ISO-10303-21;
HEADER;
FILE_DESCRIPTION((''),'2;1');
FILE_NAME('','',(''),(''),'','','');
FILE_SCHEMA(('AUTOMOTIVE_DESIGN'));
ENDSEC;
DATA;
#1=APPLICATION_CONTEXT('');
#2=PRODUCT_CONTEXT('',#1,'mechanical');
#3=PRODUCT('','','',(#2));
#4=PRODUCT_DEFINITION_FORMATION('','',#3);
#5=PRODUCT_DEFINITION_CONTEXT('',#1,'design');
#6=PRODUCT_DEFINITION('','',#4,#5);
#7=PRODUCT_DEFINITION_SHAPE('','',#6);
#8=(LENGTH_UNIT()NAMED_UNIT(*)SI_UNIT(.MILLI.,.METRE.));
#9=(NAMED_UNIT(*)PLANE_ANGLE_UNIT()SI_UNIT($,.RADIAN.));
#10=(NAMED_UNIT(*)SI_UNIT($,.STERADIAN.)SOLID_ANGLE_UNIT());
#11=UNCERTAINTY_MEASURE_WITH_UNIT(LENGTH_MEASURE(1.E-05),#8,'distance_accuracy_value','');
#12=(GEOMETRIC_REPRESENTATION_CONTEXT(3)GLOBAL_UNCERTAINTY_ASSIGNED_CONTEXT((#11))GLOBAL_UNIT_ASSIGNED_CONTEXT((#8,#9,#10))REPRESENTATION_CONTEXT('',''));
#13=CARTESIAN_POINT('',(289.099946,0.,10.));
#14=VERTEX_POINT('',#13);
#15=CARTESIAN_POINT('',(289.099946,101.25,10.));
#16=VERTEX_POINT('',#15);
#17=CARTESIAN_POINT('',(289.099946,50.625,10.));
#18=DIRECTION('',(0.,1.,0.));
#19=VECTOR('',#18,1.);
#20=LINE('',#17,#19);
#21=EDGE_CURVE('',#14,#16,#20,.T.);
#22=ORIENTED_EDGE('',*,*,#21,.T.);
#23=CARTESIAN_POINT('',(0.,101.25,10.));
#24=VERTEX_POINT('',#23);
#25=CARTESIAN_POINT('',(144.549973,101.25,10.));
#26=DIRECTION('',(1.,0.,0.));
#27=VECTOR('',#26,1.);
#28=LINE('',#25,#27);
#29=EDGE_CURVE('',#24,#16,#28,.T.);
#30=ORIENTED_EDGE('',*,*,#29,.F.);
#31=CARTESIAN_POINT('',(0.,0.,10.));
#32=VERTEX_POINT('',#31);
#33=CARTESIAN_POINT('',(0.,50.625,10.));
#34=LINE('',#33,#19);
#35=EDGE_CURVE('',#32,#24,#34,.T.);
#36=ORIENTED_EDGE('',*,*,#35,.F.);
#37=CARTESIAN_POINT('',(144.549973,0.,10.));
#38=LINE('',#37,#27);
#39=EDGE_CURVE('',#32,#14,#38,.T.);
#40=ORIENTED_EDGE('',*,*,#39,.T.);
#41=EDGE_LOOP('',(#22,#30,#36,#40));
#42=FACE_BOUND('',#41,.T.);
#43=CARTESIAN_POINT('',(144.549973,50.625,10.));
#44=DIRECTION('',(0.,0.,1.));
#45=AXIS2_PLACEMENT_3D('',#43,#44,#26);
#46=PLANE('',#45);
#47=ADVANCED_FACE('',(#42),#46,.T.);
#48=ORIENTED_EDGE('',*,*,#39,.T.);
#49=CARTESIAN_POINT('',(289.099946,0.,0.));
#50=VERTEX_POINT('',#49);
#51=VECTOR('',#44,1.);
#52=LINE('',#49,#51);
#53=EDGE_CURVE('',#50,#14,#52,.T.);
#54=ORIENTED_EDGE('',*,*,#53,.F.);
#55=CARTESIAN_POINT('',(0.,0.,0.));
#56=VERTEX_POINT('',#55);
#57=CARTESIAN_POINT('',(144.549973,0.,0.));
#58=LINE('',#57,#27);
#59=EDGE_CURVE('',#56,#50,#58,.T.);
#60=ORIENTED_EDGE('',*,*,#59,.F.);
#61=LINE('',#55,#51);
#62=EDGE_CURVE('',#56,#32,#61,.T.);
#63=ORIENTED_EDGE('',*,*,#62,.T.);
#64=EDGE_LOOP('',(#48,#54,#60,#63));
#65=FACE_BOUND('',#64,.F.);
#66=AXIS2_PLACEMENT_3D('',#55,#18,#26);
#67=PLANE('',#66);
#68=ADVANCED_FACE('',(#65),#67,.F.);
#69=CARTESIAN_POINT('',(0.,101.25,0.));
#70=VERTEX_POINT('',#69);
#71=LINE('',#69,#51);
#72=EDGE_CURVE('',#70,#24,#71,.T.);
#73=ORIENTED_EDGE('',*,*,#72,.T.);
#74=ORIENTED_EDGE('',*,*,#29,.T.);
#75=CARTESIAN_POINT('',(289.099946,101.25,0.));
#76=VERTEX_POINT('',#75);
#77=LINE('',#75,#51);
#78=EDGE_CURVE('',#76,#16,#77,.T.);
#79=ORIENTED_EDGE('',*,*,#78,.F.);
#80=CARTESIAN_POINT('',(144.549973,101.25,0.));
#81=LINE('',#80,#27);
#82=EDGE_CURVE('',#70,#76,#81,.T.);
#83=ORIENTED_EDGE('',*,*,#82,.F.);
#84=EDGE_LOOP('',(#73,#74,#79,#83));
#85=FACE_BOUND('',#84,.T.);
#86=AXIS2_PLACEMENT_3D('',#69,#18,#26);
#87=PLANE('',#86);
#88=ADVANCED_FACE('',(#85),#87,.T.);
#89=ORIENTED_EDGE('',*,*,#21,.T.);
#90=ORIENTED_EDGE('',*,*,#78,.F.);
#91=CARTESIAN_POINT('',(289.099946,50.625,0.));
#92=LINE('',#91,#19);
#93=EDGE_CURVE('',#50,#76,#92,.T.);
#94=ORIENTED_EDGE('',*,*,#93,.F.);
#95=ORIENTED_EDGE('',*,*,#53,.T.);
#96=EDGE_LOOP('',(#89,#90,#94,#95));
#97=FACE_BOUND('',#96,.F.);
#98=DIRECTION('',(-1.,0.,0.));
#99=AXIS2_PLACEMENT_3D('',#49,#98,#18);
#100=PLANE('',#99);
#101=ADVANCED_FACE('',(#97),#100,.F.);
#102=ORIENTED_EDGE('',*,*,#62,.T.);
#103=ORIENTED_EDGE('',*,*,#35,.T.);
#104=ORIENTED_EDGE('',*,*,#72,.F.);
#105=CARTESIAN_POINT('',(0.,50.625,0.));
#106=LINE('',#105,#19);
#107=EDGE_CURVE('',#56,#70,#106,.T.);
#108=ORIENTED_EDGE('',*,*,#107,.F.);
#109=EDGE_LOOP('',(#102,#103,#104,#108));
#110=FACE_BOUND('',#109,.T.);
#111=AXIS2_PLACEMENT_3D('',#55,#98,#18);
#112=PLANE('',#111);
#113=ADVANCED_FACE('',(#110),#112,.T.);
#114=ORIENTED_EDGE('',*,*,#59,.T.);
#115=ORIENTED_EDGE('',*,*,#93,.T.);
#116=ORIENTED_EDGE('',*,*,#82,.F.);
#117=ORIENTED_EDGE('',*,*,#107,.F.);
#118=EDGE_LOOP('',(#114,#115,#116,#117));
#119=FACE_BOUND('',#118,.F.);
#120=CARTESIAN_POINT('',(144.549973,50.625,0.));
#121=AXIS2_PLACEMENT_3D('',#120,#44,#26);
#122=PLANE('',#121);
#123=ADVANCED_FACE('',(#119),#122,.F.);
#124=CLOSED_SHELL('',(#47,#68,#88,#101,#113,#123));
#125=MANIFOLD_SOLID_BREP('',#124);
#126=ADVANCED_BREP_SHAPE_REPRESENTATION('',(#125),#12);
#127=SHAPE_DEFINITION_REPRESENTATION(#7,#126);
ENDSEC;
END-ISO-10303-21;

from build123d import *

# Parameters (mm, degrees)
SKETCH_W  = 289.099946
SKETCH_H  = 101.25
PAD_DEPTH = 10


with BuildPart() as part:
    # Sketch → Pad (new body)
    with BuildSketch(Plane.XY):
        Rectangle(SKETCH_W, SKETCH_H)
    extrude(amount=PAD_DEPTH)


with BuildPart() as part_1:
    # Body placement: moved
    add(part.part.moved(Location((144.549973, 50.625, 0))))


solid = part_1.part
